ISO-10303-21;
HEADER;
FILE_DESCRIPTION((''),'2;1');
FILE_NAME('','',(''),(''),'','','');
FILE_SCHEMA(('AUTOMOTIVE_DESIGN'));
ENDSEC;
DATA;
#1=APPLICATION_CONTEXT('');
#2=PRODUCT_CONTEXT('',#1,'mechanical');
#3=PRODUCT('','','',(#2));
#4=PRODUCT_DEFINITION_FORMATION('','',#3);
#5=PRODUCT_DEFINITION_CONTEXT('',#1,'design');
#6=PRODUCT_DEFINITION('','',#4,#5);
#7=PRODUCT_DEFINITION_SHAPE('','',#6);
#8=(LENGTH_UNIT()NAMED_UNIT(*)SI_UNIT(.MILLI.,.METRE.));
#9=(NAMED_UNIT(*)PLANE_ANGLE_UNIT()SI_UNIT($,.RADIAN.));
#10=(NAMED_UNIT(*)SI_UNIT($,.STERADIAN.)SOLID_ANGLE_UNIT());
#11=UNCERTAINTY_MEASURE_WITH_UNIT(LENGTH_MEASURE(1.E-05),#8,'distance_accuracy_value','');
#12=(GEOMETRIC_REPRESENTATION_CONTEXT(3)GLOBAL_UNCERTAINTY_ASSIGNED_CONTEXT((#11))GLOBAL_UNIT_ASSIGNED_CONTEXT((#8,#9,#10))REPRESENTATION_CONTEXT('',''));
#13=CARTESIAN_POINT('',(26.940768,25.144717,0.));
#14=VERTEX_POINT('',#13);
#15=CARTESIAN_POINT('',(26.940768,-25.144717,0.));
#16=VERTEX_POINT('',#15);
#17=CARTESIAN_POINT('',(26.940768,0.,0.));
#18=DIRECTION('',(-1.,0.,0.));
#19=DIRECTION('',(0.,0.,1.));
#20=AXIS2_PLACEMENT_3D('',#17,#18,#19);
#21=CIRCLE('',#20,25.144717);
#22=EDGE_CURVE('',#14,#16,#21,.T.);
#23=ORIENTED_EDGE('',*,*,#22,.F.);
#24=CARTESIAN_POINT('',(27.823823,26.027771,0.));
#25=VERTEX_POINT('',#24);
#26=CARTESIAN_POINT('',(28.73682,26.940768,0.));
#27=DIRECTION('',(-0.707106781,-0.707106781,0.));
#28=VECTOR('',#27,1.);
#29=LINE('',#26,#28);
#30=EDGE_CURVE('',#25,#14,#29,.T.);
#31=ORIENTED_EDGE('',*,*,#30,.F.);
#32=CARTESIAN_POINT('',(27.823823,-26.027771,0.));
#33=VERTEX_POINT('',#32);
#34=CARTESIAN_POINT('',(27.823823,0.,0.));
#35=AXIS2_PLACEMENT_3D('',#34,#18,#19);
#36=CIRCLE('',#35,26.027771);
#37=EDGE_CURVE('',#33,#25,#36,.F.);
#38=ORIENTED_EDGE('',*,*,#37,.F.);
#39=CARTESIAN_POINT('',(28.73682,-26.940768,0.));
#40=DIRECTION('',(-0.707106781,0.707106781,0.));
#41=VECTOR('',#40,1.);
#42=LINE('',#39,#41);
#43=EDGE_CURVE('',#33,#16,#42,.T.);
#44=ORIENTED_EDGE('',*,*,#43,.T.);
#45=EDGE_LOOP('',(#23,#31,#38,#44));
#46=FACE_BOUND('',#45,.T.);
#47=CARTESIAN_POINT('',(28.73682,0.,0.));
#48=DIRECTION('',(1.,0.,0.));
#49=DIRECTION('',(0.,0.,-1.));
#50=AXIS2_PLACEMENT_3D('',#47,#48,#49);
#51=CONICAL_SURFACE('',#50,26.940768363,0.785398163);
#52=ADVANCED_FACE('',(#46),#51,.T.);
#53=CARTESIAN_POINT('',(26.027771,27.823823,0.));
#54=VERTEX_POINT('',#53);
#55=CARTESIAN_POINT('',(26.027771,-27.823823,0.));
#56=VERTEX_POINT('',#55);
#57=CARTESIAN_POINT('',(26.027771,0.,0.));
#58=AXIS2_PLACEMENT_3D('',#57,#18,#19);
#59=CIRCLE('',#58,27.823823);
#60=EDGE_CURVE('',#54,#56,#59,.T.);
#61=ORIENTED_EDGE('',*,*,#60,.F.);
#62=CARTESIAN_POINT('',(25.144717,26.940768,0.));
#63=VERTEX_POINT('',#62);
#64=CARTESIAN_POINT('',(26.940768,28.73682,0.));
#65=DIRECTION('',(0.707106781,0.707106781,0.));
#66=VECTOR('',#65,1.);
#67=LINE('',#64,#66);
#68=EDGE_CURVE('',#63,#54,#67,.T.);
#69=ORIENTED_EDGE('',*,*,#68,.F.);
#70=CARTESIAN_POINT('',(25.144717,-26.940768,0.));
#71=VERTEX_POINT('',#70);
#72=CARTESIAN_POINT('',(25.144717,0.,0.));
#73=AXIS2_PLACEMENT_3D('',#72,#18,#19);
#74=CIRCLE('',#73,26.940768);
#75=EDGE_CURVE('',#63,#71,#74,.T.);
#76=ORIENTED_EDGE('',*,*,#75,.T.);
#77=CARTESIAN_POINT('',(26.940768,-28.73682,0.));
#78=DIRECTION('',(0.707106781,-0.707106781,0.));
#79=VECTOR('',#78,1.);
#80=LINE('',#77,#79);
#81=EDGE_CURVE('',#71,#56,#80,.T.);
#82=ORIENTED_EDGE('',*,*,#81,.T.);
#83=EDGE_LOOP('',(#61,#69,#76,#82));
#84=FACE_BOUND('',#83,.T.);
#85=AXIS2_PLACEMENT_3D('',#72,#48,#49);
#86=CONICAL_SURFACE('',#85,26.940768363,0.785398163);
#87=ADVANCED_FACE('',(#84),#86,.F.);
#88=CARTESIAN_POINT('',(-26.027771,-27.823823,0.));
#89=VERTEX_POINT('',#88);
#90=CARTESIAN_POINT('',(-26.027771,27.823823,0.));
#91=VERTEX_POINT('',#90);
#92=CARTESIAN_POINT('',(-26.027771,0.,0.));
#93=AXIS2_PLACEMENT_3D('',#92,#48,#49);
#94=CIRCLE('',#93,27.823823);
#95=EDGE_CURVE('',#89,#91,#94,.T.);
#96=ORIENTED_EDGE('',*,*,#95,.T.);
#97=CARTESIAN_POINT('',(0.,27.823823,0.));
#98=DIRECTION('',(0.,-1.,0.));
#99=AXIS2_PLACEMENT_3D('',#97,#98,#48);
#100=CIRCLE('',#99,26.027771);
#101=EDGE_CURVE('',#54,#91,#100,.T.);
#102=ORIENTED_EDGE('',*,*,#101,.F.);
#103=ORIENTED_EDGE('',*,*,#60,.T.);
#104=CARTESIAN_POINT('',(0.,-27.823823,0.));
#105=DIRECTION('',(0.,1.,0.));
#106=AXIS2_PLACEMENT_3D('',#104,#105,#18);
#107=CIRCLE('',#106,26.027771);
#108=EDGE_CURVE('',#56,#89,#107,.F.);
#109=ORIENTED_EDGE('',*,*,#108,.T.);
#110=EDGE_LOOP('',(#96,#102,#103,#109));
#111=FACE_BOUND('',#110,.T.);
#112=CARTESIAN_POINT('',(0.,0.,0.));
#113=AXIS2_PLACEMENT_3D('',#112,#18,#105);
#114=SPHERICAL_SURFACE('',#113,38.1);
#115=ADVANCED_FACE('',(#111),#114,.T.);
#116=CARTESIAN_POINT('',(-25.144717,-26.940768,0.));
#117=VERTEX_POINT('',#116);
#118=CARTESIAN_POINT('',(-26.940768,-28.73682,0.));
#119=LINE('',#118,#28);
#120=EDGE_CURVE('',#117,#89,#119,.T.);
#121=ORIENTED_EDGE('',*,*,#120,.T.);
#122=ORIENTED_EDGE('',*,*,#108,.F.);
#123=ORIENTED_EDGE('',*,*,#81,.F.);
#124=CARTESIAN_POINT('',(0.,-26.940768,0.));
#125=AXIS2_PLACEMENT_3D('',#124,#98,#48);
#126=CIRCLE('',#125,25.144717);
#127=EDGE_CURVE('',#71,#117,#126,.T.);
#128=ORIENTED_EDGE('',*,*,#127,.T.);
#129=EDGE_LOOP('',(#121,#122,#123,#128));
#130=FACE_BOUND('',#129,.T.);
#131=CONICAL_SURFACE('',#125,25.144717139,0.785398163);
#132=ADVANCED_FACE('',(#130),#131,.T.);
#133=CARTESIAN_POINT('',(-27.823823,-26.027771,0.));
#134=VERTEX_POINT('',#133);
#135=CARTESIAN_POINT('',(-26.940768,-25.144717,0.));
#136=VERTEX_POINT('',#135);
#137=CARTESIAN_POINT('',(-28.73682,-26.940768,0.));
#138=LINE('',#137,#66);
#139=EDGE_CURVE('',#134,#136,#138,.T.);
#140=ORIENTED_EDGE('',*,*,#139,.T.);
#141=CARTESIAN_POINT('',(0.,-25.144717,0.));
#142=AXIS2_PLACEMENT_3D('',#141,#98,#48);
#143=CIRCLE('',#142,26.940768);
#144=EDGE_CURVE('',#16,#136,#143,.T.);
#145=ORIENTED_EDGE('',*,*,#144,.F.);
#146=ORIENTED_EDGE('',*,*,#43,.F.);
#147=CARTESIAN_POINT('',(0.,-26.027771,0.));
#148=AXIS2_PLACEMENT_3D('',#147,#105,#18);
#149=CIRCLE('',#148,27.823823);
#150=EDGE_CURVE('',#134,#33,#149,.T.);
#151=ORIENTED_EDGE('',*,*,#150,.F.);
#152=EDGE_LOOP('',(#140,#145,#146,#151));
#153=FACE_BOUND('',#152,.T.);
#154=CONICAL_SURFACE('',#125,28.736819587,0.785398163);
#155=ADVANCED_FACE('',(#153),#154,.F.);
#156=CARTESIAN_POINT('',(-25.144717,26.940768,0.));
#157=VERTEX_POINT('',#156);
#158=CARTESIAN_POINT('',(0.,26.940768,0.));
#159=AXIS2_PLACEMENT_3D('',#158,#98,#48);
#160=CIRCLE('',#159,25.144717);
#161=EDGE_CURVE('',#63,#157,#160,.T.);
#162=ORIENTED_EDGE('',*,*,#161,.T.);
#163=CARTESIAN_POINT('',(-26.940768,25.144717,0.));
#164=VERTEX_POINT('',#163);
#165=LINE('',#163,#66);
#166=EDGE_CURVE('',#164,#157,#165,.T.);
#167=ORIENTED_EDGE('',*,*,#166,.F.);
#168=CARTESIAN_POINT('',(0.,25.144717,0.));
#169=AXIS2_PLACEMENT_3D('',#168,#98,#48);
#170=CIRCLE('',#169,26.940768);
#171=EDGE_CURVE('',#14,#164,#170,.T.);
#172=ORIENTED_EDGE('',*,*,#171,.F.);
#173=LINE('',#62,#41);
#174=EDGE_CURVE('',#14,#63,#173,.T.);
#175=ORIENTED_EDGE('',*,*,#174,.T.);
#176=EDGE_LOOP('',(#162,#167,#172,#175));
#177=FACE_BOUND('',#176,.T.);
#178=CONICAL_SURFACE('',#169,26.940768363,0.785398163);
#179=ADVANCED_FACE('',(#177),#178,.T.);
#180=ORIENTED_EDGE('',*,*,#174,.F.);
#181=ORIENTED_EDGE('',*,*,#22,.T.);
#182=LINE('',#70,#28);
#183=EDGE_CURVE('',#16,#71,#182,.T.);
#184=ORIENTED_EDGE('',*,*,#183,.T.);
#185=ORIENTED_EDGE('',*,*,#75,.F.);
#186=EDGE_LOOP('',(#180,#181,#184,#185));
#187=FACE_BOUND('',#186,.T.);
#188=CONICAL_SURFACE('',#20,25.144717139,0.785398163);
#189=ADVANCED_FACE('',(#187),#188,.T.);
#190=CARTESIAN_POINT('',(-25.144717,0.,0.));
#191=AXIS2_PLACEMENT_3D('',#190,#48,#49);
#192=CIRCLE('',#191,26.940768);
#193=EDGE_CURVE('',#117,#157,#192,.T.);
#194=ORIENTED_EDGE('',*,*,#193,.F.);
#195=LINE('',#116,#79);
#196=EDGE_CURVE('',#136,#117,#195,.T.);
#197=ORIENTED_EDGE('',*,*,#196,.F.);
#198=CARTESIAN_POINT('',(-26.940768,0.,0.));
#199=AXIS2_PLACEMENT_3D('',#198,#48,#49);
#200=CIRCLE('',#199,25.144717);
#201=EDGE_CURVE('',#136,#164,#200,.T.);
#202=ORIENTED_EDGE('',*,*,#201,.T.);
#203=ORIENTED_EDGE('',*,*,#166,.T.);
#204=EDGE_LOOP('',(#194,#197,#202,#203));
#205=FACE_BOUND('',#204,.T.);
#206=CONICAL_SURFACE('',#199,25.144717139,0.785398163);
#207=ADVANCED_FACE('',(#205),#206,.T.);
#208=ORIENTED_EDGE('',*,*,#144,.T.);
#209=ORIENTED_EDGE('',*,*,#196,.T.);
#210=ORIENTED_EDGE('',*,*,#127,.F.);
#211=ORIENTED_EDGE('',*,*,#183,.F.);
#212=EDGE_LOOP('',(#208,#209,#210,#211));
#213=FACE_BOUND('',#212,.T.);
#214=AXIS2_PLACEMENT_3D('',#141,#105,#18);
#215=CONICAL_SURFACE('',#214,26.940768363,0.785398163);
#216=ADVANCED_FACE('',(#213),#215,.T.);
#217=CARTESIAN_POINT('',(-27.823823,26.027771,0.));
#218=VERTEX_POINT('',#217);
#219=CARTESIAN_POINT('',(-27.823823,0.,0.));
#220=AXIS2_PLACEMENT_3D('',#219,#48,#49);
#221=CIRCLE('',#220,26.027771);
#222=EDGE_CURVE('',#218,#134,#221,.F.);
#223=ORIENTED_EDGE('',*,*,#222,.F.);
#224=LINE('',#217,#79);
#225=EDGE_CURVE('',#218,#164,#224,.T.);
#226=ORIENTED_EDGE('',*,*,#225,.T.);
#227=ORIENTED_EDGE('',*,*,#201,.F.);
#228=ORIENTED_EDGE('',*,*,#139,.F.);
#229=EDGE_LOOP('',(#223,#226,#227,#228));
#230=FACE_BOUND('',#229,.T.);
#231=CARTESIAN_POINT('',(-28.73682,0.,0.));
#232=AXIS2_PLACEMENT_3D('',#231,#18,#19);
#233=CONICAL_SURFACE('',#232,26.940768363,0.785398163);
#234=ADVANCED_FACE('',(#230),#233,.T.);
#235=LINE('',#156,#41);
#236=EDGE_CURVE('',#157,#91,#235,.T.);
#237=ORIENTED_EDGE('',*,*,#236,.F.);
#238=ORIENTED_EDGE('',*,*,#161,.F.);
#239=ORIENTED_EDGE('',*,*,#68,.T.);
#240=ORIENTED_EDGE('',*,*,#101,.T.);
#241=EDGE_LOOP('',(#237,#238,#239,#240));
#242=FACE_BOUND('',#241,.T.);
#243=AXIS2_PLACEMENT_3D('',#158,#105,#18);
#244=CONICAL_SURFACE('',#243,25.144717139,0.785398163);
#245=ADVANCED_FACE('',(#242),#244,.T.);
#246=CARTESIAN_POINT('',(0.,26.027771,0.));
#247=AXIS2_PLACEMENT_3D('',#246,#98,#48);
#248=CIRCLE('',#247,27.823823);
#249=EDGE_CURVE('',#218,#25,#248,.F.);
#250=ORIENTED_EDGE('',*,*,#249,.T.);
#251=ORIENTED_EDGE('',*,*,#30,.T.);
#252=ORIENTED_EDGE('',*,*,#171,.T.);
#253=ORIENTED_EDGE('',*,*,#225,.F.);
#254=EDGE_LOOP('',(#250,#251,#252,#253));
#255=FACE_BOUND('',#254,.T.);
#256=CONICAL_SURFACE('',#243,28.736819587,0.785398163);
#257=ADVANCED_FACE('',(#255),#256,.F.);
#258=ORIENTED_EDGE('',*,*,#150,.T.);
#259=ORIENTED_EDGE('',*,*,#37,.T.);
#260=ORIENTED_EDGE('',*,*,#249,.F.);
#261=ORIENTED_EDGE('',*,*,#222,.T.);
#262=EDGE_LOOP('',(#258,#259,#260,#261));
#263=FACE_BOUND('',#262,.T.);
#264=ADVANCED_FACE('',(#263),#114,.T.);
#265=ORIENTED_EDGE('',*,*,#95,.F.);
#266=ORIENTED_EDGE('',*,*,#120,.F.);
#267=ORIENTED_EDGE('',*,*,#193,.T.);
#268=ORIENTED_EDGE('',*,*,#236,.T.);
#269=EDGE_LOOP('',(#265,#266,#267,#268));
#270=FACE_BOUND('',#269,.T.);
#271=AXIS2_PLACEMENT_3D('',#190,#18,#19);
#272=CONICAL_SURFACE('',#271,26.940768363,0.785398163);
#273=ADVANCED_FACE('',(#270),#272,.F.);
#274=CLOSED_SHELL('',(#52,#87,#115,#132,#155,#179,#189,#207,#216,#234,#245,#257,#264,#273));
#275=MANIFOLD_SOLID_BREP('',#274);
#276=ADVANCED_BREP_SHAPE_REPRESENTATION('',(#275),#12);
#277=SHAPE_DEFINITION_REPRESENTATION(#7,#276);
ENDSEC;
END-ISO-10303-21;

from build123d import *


with BuildPart() as part:
    # Sketch8 → Revolve2 (revolve)
    with BuildSketch(Plane.XY):
        with BuildLine():
            Line((-38.1, 0), (38.1, 0))
            ThreePointArc((38.1, 0), (0, 38.1), (-38.1, 0))
        make_face()
    revolve(axis=Axis((-38.1, 0, 0), (1, 0, 0)))

    # Cut-Sweep2: sweep along a curve in space
    with BuildLine() as cut_sweep2_path:
        ThreePointArc((26.940768363, -26.940768363, 0), (26.940768363, 0, -26.940768363), (26.940768363, 26.940768363, 0))
        ThreePointArc((26.940768363, 26.940768363, 0), (0, 26.940768363, 26.940768363), (-26.940768363, 26.940768363, 0))
        ThreePointArc((-26.940768363, 26.940768363, 0), (-26.940768363, 0, -26.940768363), (-26.940768363, -26.940768363, 0))
        ThreePointArc((-26.940768363, -26.940768363, 0), (0, -26.940768363, 26.940768363), (26.940768363, -26.940768363, 0))
    # Sketch13 → Cut-Sweep2 (sweep, cut)
    with BuildSketch(Plane.XY):
        Polygon((-26.940768363, 28.736819587), (-28.736819587, 26.940768363), (-26.940768363, 25.144717139), (-25.144717139, 26.940768363), align=None)
    sweep(path=cut_sweep2_path.line, mode=Mode.SUBTRACT)


solid = part.part
